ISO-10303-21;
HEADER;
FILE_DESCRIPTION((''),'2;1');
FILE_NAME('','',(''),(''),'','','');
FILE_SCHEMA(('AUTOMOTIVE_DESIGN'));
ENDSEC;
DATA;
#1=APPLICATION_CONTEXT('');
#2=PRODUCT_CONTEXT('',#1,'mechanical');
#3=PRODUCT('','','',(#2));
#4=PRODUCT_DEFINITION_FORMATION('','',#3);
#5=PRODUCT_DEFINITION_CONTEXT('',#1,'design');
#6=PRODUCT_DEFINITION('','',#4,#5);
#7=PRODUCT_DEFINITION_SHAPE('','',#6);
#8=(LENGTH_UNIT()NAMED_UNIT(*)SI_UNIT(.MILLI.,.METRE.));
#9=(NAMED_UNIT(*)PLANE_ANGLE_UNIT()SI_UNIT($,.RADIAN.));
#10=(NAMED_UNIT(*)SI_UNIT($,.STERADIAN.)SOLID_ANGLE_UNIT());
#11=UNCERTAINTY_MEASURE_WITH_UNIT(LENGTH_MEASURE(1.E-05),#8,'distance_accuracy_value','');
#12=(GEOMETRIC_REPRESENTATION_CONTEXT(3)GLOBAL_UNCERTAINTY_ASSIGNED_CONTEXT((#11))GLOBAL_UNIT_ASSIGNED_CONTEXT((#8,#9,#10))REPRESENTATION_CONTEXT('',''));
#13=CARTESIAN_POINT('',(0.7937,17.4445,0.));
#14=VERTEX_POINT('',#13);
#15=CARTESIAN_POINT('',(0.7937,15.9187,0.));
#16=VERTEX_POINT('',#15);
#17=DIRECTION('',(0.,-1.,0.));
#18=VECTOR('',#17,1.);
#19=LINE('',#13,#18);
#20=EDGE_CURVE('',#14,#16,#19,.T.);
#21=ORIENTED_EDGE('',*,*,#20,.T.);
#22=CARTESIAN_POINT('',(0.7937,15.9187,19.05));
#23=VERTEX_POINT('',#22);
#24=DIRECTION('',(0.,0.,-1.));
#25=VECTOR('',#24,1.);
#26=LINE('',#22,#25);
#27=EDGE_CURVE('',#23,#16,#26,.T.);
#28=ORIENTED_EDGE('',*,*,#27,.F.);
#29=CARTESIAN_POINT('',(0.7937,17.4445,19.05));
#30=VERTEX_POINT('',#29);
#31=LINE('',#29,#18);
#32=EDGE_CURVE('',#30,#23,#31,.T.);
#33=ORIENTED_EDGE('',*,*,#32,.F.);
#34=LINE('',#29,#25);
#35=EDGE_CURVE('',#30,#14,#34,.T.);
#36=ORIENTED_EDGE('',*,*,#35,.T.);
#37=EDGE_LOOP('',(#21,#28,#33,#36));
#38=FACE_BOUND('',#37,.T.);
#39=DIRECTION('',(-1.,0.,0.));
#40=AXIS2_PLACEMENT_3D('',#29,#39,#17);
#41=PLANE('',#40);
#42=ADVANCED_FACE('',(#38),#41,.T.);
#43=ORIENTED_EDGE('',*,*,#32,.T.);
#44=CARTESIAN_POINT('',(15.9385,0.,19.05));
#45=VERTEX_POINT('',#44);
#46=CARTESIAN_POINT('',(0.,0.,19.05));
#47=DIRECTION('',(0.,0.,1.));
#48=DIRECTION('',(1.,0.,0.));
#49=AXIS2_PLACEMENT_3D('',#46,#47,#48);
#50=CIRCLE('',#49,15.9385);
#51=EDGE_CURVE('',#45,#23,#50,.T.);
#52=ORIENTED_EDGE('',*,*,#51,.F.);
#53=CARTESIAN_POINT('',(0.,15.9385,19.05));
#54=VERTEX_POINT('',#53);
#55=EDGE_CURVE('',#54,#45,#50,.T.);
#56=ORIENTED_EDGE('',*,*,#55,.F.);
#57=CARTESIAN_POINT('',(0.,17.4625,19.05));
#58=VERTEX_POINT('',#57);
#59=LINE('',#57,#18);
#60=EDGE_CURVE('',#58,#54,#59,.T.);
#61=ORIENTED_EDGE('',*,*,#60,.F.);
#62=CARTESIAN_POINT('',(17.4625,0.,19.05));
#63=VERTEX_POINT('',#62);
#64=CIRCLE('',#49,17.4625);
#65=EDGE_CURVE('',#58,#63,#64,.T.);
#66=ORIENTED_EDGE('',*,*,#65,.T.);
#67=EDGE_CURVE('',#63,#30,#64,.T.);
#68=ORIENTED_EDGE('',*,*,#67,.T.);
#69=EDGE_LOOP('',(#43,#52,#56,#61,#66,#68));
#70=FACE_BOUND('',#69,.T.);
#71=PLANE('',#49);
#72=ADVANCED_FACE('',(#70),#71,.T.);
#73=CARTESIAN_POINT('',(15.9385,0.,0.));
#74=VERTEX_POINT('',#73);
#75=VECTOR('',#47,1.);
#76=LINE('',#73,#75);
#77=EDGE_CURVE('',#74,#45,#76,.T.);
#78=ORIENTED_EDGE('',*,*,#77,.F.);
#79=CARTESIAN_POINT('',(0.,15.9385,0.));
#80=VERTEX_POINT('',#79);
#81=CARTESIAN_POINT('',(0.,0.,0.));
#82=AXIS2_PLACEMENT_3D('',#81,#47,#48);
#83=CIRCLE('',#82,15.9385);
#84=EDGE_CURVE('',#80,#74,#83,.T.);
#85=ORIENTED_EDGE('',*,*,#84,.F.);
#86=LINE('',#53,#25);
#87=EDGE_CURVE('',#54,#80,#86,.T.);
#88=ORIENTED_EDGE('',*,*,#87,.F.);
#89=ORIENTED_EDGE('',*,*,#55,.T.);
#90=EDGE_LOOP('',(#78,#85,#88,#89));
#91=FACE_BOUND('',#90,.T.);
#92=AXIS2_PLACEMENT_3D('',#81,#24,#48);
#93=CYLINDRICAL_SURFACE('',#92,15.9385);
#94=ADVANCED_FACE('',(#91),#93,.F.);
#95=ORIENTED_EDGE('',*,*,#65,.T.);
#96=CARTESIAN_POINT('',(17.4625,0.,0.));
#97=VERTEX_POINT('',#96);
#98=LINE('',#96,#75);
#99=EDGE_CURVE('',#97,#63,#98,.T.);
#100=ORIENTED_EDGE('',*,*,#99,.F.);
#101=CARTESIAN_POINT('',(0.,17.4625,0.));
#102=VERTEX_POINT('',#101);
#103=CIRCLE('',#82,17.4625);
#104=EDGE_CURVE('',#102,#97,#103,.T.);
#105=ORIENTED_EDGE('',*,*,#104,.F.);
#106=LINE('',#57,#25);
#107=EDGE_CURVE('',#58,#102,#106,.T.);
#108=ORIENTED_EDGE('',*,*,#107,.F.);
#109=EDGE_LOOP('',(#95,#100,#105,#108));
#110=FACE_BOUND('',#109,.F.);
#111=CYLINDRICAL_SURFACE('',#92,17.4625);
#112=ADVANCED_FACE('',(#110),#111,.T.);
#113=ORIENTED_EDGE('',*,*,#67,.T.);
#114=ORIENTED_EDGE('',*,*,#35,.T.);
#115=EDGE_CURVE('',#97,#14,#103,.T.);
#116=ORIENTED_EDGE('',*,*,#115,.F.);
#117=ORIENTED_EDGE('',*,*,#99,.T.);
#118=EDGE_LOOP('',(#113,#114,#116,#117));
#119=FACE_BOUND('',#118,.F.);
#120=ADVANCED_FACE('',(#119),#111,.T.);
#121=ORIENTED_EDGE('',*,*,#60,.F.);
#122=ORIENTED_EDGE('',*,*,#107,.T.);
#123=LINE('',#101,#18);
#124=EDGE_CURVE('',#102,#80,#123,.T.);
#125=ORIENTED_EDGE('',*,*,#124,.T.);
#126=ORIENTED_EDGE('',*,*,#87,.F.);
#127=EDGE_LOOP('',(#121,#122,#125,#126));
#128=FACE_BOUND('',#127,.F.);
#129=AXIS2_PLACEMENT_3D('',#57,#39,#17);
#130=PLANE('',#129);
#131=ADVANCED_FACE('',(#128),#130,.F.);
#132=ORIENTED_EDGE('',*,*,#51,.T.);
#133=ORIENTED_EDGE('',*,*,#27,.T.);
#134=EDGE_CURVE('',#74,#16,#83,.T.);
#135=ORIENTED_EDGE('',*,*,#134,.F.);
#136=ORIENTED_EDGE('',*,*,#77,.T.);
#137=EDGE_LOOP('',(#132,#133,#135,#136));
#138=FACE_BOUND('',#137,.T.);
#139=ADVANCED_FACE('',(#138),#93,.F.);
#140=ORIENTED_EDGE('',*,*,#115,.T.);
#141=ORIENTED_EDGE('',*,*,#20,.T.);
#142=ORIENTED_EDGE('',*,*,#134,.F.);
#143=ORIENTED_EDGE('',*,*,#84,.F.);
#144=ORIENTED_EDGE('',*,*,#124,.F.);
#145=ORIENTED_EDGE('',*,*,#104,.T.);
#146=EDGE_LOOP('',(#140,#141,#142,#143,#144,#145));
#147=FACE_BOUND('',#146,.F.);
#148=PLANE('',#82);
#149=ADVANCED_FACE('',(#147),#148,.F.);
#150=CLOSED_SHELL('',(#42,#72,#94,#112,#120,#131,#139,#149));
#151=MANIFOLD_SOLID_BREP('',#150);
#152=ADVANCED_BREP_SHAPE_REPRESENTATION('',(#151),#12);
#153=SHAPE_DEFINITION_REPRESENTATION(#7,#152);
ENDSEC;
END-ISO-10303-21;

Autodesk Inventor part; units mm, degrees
ref_plane "YZ Plane" through (0, 0, 0) normal (1, 0, 0) x (0, 1, 0)
ref_plane "XZ Plane" through (0, 0, 0) normal (0, 1, 0) x (-1, 0, 0)
ref_plane "XY Plane" through (0, 0, 0) normal (0, 0, 1) x (1, 0, 0)
sketch "Sketch1" plane through (0, 0, 0) normal (0, 0, 1) x (1, 0, 0)
  circle A0 centre (0, 0) radius 15.9385
  circle A1 centre (0, 0) radius 17.4625
  dimension "d1" = 34.925
  dimension "d7" = 1.524
extrude "Extrusion1" add sketch "Sketch1" along normal blind 19.05
sketch "Sketch2" plane through (0, 0, 19.05) normal (0, 0, 1) x (1, 0, 0)
  circle A0 centre (0, 0) radius 17.4625 projected
  line L0 (0, 17.4625) -> (0, 15.9385)
  circle A1 centre (0, 0) radius 15.9385 projected
  line L1 (0.7937, 17.4445) -> (0.7937, 15.9187)
  dimension "d4" = 0.7937
extrude "Extrusion2" cut sketch "Sketch2" against normal blind 19.05 contours L1 A1 L0 A0 picked at (0.7056, 16.431)
properties part number "Buffer Piece" material "LCP Plastic"
